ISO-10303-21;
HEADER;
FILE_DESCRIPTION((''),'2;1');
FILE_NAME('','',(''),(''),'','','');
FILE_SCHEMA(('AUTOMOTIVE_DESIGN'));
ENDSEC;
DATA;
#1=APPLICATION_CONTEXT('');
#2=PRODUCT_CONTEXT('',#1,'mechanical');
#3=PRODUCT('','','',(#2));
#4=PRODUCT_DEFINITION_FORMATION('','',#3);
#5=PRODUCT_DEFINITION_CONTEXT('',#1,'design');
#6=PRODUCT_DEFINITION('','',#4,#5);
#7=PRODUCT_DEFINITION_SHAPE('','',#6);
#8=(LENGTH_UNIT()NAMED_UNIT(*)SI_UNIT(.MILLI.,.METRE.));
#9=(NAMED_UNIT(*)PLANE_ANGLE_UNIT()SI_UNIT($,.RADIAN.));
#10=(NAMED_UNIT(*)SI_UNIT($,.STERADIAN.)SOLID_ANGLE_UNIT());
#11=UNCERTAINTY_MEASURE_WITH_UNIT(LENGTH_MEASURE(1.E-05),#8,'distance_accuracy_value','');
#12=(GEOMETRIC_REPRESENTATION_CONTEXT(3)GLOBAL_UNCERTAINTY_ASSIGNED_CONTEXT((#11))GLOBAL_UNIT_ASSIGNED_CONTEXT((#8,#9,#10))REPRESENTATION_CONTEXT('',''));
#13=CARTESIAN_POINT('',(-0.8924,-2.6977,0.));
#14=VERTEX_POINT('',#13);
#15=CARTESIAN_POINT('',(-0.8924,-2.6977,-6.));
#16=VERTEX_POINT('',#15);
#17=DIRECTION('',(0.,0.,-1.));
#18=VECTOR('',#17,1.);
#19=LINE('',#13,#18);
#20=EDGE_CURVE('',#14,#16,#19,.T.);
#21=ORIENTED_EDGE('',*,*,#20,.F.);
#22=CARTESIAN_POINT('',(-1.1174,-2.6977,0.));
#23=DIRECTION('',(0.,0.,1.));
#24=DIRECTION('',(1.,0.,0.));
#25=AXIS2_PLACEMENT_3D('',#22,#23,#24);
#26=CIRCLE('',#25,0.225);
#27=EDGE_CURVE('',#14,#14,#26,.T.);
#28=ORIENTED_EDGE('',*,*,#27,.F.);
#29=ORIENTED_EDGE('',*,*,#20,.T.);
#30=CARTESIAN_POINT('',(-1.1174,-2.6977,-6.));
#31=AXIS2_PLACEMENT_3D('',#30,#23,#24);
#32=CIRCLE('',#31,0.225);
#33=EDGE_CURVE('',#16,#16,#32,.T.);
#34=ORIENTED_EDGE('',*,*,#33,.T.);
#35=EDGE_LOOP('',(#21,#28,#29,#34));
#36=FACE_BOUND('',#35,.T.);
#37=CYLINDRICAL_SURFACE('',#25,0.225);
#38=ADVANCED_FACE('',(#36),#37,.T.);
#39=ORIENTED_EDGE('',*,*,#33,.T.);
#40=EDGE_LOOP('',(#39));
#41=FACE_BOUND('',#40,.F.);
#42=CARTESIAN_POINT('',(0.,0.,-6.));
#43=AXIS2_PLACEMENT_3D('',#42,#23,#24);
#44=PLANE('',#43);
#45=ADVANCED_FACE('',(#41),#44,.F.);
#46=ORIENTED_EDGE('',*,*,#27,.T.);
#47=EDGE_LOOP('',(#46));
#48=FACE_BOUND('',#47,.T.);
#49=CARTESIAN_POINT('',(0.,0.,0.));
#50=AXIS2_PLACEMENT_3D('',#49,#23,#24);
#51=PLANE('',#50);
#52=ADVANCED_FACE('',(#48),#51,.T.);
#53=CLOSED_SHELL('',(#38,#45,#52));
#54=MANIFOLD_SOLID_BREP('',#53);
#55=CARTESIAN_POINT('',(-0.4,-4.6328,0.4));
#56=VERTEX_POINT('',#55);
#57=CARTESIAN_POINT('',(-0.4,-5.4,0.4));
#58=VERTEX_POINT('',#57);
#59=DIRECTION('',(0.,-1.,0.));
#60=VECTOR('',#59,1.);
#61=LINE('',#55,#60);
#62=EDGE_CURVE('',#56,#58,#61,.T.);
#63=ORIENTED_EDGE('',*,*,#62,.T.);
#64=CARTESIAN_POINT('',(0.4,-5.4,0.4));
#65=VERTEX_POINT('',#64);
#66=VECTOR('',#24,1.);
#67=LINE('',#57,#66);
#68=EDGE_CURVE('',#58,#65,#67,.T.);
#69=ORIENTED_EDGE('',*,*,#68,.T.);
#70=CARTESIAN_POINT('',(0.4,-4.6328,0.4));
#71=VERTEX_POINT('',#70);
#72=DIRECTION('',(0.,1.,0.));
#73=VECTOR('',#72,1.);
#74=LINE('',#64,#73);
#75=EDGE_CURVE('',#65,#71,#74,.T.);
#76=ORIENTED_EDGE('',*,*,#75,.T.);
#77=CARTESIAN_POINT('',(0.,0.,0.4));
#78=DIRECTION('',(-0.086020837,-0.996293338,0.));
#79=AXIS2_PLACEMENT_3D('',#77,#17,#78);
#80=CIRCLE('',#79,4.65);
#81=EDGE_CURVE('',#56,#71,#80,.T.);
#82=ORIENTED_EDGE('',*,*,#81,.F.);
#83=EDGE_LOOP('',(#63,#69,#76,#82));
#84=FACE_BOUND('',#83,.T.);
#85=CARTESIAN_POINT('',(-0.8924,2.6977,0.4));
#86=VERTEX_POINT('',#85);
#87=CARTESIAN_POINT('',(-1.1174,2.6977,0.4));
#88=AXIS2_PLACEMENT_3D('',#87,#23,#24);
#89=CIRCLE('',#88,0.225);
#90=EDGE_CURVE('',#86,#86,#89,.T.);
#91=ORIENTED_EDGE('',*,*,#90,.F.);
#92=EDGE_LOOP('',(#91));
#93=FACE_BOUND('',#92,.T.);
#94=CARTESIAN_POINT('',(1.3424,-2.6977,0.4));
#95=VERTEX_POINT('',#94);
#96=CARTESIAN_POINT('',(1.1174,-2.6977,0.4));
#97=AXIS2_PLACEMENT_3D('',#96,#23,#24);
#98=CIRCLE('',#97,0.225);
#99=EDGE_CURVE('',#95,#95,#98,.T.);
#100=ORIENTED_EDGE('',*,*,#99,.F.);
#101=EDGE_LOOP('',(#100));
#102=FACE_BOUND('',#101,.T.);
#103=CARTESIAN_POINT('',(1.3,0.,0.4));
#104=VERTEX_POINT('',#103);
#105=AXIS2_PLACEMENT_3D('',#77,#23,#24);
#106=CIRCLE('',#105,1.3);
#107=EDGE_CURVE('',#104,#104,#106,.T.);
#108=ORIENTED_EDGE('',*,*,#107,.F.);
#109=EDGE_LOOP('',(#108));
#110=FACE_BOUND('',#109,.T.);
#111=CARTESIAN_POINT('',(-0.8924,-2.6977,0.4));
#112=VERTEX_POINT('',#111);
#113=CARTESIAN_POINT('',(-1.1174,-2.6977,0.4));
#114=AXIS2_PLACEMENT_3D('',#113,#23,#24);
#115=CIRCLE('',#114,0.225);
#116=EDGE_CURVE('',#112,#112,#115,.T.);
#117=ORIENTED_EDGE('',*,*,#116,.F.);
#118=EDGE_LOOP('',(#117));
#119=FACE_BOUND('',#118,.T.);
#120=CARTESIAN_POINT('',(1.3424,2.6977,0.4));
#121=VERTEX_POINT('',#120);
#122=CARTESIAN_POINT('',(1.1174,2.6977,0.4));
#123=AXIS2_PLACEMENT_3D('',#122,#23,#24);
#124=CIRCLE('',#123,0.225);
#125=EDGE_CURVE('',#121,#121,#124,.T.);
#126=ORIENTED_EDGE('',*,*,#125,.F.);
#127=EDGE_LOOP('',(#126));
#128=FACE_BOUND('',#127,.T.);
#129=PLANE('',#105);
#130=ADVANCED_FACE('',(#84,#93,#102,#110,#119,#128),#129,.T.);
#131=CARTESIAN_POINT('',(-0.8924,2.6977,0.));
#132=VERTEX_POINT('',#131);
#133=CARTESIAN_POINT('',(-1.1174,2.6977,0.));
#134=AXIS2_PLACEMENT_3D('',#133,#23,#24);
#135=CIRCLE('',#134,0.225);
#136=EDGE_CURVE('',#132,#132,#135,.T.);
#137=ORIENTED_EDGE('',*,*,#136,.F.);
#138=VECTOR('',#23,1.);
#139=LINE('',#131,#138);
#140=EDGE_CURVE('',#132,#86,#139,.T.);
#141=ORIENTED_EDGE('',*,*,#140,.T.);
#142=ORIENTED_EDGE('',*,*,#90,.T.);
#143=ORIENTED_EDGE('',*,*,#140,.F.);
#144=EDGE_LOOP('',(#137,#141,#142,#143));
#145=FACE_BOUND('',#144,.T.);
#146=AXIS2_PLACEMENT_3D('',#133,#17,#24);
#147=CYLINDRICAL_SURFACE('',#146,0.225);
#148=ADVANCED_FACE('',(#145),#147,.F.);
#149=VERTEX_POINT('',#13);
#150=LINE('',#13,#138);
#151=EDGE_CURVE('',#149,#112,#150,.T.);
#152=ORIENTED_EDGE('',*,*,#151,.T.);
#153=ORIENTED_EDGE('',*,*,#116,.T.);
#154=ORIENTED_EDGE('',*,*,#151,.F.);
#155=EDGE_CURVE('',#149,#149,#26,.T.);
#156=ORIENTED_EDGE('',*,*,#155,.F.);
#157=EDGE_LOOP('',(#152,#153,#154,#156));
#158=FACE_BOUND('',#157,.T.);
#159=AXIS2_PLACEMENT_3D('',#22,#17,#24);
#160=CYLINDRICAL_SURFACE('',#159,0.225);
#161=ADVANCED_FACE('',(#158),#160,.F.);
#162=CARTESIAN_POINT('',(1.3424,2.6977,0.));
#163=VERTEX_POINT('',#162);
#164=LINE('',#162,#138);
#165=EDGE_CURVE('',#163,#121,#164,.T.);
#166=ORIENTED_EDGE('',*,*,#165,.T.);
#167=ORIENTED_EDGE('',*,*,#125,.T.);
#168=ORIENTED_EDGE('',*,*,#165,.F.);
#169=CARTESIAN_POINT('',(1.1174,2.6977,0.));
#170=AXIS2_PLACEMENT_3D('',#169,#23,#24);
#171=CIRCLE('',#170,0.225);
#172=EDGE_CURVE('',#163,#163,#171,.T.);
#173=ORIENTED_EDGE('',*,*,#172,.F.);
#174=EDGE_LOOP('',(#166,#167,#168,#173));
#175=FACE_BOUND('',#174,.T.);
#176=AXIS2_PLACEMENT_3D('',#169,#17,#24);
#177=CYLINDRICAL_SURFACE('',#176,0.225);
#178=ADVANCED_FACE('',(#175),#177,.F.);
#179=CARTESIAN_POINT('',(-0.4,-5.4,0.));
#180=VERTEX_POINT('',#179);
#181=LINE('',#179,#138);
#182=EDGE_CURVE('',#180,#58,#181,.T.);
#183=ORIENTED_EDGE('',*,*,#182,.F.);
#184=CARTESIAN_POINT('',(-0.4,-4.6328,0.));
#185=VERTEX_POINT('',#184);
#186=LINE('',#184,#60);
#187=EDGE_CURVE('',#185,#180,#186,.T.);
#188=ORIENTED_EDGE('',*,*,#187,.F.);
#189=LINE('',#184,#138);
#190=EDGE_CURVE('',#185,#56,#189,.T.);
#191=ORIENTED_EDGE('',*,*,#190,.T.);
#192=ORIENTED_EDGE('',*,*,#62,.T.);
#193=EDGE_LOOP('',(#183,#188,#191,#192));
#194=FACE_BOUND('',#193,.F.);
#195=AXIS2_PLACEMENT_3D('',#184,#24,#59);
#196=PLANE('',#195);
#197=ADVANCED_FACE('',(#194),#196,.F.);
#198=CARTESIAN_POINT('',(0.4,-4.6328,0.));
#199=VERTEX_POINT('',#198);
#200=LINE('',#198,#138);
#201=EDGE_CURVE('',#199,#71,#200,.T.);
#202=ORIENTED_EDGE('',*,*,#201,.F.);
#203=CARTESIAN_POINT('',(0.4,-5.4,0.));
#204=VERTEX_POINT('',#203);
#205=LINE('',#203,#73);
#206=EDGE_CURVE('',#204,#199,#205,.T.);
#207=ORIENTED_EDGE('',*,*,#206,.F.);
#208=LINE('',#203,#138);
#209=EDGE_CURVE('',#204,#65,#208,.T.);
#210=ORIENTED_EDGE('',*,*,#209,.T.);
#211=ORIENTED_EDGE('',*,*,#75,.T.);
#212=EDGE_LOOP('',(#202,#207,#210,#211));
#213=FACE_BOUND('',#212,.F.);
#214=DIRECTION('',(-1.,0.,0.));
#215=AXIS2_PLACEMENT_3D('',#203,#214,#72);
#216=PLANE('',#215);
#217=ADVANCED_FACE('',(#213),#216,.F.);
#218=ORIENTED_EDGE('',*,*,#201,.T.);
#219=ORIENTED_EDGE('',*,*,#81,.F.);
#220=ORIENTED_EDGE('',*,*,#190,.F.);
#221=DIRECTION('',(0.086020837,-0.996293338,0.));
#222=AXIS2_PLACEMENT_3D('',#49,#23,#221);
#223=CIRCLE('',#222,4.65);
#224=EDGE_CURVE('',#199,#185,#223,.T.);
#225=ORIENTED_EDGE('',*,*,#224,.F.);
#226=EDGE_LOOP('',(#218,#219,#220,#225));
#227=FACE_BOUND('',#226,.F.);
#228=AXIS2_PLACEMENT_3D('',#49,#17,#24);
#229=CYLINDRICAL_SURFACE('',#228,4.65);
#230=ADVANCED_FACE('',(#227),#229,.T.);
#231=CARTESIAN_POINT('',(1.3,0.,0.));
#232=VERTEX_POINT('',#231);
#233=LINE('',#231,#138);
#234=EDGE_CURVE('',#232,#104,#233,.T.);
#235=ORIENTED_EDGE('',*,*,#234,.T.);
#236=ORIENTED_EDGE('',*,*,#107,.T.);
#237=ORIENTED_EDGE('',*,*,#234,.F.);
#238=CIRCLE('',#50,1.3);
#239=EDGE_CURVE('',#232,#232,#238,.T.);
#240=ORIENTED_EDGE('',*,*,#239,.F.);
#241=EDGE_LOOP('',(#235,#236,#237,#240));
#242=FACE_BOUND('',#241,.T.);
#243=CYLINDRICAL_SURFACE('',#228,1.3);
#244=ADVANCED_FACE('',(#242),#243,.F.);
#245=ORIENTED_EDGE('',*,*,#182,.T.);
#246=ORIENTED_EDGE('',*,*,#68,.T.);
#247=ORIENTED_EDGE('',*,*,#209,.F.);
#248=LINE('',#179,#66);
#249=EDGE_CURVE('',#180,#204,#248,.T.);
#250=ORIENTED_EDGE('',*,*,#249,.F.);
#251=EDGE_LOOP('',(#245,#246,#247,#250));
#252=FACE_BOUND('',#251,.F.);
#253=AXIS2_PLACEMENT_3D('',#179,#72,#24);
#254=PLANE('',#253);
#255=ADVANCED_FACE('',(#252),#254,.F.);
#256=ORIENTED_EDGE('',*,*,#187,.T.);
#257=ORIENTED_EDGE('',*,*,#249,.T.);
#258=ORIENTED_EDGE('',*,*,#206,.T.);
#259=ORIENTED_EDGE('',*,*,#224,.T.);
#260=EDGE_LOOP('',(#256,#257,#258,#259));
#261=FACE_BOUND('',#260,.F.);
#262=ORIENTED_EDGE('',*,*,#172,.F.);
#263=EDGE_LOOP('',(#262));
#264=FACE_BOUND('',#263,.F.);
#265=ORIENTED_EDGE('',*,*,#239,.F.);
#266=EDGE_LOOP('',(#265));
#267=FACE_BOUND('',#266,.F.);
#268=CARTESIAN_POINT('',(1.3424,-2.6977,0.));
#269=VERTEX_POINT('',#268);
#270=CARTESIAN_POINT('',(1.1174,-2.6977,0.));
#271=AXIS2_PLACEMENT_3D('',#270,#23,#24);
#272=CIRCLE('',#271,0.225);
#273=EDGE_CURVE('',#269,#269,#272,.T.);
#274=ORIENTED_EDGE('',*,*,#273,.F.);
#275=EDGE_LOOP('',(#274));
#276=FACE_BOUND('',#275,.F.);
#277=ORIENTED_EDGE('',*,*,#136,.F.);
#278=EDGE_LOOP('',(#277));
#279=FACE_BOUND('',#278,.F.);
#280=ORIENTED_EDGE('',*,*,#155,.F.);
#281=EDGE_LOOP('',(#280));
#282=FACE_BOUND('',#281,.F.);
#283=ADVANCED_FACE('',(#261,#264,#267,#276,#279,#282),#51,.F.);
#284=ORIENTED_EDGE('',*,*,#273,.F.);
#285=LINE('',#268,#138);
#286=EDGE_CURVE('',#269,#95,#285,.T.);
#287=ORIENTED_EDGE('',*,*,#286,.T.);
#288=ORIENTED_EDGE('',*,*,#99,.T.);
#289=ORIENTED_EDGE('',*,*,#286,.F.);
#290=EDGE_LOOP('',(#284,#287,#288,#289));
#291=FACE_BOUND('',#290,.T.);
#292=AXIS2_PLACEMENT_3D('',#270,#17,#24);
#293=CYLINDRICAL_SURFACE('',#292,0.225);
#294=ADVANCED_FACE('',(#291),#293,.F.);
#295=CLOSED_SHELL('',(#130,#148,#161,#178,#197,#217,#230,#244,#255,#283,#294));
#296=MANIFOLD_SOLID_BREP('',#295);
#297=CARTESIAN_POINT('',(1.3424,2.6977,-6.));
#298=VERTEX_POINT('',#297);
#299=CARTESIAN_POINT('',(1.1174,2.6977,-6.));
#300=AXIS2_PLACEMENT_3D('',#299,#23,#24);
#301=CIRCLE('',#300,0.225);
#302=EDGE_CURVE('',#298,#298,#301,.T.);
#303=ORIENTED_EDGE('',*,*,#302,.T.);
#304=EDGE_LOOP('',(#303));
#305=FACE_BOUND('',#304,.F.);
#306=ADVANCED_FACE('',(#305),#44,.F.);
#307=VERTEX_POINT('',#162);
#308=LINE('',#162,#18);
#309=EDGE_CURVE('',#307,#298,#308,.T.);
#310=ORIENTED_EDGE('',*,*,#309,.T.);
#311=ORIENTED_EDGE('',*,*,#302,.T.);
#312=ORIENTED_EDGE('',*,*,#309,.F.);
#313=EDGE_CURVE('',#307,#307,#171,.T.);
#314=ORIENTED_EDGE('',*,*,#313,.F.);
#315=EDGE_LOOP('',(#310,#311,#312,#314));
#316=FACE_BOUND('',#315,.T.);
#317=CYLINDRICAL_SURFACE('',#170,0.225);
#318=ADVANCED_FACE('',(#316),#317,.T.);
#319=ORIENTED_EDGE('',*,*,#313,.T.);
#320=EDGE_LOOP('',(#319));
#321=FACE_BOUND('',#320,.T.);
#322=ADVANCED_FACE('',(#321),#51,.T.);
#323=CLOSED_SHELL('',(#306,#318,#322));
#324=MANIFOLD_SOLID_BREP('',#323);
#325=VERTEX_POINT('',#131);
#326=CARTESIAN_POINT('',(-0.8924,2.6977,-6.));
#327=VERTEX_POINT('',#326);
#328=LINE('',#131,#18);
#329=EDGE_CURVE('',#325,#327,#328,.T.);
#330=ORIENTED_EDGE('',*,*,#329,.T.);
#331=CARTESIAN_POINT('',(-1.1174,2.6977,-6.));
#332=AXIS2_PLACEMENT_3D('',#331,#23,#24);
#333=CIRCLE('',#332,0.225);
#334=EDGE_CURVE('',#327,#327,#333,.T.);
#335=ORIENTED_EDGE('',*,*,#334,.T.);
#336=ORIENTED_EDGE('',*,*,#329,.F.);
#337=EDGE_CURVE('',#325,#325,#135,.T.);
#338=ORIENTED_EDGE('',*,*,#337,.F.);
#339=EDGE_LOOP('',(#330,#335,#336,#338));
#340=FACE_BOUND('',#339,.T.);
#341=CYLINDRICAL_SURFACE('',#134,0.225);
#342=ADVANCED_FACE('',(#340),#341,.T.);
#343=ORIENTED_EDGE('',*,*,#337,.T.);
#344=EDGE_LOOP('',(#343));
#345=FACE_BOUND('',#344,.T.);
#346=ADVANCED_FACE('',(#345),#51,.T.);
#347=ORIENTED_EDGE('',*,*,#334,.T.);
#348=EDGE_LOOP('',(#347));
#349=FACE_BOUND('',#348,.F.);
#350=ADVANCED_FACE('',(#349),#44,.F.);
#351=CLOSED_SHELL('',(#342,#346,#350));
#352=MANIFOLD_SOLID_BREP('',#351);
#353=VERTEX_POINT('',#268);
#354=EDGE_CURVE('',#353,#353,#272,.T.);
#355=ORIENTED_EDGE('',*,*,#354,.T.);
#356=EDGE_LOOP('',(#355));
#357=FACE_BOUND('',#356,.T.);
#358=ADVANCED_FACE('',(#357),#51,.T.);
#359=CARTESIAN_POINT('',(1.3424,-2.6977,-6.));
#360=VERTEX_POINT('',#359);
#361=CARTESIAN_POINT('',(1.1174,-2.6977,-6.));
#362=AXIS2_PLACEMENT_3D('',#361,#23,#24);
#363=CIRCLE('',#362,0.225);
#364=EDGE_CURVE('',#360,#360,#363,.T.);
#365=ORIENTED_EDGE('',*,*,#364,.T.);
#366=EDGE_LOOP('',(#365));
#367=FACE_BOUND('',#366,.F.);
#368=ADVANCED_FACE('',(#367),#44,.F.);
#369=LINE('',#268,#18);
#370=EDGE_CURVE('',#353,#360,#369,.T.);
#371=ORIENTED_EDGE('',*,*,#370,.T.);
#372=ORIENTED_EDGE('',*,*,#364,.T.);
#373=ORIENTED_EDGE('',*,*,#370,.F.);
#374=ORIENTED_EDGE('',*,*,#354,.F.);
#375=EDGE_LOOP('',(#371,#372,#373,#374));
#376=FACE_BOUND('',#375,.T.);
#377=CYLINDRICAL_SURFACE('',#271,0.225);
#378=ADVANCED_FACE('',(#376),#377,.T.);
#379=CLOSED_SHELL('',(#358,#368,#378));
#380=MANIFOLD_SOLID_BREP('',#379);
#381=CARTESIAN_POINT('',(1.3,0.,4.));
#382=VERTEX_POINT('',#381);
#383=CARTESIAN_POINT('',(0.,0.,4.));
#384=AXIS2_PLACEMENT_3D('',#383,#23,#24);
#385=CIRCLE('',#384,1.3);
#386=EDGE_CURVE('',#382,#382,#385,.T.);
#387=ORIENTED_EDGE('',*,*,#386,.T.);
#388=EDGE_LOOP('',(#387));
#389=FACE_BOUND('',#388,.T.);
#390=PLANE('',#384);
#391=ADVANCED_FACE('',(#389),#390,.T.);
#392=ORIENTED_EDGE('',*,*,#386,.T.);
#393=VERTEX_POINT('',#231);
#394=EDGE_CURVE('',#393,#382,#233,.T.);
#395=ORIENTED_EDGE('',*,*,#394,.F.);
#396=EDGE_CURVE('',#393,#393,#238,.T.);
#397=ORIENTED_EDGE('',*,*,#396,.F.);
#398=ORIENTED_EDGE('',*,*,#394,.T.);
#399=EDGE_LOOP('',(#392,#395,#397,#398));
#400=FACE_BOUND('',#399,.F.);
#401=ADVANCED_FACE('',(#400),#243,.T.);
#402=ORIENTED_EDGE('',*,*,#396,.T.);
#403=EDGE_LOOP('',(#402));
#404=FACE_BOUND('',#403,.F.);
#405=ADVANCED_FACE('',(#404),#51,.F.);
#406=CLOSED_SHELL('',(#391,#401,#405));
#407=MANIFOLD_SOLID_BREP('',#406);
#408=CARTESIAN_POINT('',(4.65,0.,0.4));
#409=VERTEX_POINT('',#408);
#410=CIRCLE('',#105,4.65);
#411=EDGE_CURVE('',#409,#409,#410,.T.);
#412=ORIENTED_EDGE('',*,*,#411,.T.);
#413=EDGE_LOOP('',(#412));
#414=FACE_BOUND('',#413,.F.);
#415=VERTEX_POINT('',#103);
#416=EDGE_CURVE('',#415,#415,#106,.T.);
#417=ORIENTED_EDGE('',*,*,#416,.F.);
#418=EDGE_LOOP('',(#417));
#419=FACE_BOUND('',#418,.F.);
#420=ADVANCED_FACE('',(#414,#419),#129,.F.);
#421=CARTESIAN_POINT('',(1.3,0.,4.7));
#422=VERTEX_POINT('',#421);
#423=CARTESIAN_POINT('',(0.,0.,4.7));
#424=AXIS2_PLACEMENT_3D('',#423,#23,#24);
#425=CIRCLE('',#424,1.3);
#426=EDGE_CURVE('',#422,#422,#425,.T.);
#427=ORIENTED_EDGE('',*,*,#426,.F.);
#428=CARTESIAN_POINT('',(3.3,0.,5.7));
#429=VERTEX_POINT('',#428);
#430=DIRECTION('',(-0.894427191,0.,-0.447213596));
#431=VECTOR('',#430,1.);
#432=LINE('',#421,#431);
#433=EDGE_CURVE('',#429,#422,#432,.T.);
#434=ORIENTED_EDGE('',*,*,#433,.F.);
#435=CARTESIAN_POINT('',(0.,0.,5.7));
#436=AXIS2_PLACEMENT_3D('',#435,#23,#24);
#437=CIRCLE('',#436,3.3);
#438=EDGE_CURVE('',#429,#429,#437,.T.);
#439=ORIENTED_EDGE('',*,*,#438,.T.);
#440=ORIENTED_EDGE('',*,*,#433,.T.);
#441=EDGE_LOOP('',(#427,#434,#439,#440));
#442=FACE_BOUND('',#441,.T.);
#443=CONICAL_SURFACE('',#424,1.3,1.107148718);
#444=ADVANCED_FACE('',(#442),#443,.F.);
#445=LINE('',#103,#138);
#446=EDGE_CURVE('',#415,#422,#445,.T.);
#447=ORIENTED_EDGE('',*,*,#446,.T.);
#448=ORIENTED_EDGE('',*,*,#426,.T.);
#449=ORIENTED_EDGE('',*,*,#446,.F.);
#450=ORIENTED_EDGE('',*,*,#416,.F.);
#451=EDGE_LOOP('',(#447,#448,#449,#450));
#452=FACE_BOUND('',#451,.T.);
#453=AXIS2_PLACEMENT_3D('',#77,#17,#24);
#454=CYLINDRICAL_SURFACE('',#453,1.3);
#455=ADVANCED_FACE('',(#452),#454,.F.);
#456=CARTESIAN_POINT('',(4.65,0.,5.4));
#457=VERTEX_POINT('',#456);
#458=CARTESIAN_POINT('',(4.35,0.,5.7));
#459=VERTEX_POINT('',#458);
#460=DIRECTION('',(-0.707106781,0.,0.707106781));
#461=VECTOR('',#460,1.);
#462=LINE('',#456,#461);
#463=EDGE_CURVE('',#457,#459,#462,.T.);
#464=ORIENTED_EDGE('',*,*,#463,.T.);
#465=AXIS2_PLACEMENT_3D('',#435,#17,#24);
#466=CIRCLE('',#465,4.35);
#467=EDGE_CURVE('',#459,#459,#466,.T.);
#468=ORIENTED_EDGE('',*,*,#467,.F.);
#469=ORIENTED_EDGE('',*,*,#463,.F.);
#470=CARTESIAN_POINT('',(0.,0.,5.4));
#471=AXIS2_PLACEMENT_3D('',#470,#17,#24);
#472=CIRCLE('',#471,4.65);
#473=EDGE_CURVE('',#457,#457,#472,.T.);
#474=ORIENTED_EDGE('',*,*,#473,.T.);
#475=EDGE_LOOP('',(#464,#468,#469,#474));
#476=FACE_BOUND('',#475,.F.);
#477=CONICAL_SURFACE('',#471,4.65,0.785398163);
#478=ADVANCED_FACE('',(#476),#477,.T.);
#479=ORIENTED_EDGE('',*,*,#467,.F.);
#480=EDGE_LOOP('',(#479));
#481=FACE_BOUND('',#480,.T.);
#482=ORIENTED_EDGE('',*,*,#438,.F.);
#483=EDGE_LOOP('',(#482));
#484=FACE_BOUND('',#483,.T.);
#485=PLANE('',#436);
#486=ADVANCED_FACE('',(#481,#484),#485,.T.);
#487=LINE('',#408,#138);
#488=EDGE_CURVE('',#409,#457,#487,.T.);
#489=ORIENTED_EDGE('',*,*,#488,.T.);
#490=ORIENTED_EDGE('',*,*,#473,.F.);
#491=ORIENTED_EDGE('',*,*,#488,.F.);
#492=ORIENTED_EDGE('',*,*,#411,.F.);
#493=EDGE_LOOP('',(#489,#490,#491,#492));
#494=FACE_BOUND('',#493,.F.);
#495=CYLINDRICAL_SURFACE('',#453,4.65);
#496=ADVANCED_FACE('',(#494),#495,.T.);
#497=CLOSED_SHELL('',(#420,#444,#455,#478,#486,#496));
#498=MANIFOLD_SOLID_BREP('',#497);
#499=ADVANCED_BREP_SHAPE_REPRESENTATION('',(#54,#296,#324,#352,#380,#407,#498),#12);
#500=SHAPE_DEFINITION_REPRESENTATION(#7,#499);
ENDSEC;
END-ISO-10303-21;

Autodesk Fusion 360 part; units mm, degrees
sketch "Sketch1" plane through (0, 0, 0) normal (0, 0, 1) x (1, 0, 0)
  circle A0 centre (0, 0) radius 4.65
  circle A1 centre (0, 0) radius 1.3
  line L0 (-0.4, -5.4) -> (0.4, -5.4)
  line L1 (0.4, -5.4) -> (0.4, -4.6328)
  line L2 (-0.4, -4.6328) -> (-0.4, -5.4)
  circle A2 centre (-1.1174, -2.6977) radius 0.225
  circle A3 centre (1.1174, -2.6977) radius 0.225
  circle A4 centre (1.1174, 2.6977) radius 0.225
  circle A5 centre (-1.1174, 2.6977) radius 0.225
  dimension "d11" = 360
extrude "Extrude1" add sketch "Sketch1" along normal blind 5.7 and the other way blind -0.4 contours A0 | A2 | A3 | A4 | A5 makes body 1
extrude "Extrude2" add sketch "Sketch1" along normal blind 0.4 separate body makes body 2
extrude "Extrude3" add sketch "Sketch1" against normal blind 6 separate body contours A2 | A3 | A4 | A5 makes body 3 at (-0.8927, -2.7089, -4) makes body 4 at (-0.8927, 2.6865, -4) makes body 5 at (1.3422, -2.7089, -4) makes body 6 at (1.3422, 2.6865, -4)
extrude "Extrude4" add sketch "Sketch1" along normal blind 4 separate body contours A1 makes body 7
chamfer "Chamfer1" distance 0.3 angle 45 1 edges at (-4.3353, -1.6815, 5.7) on bodies 1
chamfer "Chamfer2" distance 2 distance2 1 1 edges at (-1.212, 0.4701, 5.7) measured on face at (3.3171, 0.2161, 5.7) on bodies 1
